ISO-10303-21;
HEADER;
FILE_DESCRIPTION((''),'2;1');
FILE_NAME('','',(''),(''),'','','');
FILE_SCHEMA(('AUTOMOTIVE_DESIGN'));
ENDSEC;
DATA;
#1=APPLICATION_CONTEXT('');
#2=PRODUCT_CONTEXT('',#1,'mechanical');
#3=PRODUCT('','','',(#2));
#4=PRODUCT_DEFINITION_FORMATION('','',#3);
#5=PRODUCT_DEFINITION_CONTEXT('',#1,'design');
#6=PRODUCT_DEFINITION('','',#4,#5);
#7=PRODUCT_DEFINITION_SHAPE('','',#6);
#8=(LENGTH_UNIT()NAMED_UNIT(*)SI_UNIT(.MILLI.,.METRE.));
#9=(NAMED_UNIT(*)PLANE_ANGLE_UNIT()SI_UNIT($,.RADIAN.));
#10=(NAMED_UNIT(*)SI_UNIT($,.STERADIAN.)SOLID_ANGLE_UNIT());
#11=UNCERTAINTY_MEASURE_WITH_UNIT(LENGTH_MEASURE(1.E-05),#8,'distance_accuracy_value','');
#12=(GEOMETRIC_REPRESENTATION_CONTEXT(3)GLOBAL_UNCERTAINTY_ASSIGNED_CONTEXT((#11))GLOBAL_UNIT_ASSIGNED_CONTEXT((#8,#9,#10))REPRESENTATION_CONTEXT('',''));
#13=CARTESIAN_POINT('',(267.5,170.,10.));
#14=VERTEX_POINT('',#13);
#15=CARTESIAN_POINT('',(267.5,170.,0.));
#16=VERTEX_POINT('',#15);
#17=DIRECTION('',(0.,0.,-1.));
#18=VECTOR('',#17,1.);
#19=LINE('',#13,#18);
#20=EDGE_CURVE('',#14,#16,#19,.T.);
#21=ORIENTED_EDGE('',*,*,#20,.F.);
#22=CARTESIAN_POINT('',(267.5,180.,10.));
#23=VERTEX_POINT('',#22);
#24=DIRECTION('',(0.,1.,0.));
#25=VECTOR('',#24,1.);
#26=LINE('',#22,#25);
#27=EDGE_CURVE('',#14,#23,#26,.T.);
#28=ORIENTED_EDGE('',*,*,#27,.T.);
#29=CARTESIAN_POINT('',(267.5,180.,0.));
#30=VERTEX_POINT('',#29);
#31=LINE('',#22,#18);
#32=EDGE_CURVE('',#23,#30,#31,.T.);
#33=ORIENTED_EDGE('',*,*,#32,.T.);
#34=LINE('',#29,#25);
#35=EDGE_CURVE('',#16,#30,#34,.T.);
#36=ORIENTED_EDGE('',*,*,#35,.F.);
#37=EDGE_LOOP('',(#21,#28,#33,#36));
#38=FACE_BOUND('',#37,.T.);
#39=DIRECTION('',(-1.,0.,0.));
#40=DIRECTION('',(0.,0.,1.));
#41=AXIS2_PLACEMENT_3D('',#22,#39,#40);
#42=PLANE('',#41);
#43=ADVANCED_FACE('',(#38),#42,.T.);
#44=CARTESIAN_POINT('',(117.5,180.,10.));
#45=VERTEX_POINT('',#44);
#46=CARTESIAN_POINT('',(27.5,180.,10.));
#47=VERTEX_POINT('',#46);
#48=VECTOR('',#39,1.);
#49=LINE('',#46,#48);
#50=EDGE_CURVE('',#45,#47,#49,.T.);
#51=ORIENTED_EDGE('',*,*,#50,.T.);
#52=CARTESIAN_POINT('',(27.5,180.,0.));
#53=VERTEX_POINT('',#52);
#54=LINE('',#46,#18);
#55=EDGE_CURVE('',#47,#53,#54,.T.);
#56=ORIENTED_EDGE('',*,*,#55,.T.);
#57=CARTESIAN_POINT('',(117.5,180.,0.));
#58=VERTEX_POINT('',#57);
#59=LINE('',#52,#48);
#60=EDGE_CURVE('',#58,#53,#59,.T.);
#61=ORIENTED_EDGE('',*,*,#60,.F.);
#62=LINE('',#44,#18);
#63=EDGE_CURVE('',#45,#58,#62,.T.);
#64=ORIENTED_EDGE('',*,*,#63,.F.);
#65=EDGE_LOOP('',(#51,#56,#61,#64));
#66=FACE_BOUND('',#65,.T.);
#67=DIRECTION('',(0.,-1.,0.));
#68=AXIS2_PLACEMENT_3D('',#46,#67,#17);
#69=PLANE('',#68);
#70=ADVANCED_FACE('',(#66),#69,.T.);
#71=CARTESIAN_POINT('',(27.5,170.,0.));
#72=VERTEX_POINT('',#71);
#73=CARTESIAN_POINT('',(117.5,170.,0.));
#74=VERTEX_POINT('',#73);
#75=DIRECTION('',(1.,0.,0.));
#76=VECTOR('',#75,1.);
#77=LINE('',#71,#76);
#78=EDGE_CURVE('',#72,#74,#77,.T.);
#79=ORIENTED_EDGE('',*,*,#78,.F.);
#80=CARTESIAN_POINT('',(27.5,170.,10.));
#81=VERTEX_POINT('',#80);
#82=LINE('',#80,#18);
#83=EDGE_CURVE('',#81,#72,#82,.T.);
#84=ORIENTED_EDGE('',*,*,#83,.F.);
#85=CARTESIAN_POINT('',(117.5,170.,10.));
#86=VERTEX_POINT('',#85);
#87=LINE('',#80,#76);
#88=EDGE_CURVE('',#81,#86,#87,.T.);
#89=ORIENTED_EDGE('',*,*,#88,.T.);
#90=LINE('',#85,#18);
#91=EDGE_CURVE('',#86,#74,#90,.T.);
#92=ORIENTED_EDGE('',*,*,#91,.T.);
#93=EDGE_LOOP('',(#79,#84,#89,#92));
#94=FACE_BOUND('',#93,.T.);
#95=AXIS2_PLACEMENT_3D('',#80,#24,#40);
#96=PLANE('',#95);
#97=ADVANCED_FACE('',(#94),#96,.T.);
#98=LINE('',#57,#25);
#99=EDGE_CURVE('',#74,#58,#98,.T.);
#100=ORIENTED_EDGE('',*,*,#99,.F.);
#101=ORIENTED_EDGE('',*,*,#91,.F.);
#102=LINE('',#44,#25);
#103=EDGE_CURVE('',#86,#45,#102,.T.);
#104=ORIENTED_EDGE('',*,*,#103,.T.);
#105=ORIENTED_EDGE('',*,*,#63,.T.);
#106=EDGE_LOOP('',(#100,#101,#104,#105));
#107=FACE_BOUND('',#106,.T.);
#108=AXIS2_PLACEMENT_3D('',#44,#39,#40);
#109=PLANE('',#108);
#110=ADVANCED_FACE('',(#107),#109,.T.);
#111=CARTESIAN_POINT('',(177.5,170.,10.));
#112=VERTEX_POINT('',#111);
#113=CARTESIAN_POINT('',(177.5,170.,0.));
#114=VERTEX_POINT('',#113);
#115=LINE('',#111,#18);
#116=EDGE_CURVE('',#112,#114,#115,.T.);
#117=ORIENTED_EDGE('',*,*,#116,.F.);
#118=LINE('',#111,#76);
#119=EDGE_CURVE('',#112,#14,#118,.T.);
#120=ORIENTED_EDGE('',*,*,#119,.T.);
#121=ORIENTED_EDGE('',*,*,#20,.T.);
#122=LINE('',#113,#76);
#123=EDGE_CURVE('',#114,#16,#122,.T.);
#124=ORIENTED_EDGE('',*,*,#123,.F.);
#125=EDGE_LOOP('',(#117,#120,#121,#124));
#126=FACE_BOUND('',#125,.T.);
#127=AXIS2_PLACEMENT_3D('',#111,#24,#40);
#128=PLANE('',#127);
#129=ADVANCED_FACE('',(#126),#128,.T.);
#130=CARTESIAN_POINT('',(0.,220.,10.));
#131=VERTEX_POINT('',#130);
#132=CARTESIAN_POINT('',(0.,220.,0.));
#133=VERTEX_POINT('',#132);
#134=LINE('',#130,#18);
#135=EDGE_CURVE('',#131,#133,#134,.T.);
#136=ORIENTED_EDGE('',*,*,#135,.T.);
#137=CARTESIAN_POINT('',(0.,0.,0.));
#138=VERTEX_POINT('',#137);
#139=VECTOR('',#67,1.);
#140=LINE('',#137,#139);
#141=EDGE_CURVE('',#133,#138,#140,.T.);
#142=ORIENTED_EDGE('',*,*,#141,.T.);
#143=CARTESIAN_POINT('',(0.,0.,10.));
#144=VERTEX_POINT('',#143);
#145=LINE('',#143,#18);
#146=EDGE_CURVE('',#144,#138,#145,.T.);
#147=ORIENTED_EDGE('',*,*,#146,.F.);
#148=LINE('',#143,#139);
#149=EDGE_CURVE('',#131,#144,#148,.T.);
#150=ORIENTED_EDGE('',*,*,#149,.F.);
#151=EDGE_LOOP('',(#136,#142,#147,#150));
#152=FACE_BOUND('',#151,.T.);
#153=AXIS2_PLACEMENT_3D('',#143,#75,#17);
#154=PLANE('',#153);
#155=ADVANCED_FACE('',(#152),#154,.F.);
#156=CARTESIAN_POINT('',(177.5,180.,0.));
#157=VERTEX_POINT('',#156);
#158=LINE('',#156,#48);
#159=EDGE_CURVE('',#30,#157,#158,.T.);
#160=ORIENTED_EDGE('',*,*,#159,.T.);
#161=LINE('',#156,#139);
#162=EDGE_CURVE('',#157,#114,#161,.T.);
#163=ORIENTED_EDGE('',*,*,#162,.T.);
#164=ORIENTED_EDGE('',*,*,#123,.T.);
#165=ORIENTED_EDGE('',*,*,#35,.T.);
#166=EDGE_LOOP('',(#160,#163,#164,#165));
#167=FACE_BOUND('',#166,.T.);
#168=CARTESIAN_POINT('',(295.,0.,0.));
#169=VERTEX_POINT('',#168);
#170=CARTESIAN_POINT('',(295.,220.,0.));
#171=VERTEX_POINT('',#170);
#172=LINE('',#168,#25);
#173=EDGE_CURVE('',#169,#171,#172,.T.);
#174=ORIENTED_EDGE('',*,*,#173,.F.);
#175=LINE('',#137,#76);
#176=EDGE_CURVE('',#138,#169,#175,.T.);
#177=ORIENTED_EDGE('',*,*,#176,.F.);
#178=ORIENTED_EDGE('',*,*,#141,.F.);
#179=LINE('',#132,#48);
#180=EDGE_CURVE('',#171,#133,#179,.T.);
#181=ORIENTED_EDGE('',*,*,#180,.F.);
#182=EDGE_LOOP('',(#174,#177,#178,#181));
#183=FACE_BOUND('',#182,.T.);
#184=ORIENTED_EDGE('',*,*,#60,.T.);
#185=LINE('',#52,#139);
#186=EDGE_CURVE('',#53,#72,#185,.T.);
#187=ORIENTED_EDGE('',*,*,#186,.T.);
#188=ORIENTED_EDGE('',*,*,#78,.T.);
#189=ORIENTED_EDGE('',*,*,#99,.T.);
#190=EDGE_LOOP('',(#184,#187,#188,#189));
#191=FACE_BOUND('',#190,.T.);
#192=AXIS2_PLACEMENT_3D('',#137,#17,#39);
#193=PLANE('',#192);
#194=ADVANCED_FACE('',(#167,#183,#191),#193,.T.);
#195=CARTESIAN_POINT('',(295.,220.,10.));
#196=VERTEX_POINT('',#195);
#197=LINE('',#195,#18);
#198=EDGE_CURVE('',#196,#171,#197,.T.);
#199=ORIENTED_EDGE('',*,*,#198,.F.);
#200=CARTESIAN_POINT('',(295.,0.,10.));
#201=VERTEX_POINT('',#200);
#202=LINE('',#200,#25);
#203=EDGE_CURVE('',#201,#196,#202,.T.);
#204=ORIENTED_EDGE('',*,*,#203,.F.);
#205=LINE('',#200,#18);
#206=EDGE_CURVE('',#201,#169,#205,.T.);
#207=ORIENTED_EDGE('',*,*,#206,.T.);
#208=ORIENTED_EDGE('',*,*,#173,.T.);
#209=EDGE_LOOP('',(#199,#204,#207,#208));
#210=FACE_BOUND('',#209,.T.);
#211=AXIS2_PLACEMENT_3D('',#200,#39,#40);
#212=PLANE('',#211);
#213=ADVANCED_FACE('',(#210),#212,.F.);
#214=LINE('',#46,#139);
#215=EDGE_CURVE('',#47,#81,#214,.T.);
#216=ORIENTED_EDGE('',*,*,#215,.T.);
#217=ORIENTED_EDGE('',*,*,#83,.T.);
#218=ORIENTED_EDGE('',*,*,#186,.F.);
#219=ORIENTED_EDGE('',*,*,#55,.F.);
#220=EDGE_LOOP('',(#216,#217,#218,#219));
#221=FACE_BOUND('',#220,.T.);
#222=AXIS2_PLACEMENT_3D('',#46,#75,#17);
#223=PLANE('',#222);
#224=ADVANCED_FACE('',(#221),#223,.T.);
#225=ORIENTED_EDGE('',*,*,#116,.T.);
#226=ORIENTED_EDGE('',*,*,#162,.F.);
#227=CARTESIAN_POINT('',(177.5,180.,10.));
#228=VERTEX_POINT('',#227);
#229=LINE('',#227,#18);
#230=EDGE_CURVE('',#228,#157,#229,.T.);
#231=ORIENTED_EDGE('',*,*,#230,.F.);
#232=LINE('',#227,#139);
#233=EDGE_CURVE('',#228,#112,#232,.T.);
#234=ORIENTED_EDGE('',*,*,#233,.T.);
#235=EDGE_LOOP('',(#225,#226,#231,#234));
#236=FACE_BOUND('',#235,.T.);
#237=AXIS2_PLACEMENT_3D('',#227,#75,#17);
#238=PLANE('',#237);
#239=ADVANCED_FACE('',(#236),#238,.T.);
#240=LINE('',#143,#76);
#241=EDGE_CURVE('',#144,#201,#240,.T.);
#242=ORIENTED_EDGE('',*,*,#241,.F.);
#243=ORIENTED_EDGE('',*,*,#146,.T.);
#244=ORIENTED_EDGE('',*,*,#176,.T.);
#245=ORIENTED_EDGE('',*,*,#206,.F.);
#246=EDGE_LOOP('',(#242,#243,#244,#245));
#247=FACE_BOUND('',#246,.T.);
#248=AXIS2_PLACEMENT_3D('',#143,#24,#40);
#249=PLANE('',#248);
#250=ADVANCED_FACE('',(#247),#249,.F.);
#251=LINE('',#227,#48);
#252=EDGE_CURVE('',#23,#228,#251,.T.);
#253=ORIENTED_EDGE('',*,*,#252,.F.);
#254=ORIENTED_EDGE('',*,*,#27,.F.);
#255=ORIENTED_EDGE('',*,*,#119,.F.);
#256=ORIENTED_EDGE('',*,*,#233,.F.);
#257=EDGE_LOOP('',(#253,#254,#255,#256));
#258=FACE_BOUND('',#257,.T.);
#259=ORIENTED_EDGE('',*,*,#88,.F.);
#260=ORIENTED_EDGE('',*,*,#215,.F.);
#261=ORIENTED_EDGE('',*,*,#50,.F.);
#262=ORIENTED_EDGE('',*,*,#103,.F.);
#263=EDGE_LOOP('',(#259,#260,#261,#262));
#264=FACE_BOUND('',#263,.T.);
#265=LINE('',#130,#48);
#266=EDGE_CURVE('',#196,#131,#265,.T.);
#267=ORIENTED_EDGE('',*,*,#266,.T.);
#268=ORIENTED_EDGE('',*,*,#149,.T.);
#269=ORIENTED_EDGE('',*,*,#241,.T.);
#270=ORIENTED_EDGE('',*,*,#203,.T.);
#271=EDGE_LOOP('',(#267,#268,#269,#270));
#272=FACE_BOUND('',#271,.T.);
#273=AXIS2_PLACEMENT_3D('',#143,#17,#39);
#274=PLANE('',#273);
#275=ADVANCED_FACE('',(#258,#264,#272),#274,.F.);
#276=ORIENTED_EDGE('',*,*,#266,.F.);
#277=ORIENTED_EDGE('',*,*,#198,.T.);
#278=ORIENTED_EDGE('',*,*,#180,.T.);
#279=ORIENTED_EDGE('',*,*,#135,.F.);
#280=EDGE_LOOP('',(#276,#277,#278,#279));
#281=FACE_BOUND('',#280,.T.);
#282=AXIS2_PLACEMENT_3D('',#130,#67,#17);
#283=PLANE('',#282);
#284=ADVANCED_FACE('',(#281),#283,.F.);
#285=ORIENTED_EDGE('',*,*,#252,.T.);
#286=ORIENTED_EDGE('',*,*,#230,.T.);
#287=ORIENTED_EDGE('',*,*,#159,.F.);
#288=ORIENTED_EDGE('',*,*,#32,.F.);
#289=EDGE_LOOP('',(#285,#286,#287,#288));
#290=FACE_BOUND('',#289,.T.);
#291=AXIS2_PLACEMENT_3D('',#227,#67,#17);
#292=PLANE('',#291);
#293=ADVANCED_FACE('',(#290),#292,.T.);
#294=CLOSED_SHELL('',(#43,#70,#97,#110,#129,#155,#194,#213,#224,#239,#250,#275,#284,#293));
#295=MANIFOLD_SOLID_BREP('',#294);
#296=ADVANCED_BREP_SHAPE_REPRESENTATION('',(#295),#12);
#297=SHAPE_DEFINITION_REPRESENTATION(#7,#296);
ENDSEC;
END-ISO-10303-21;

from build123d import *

# Parameters (mm, degrees)
ESQUISSE1_W        = 295
ESQUISSE1_H        = 220
ESQUISSE1_W_2      = 90
ESQUISSE1_H_2      = 10
BOSS_EXTRU_1_DEPTH = 10


with BuildPart() as part:
    # Esquisse1 → Boss.-Extru.1 (new body)
    with BuildSketch(Plane.XY):
        with Locations((147.5, 110)):
            Rectangle(ESQUISSE1_W, ESQUISSE1_H)
        with Locations((72.5, 175)):
            Rectangle(ESQUISSE1_W_2, ESQUISSE1_H_2, mode=Mode.SUBTRACT)
        with Locations((222.5, 175)):
            Rectangle(ESQUISSE1_W_2, ESQUISSE1_H_2, mode=Mode.SUBTRACT)
    extrude(amount=BOSS_EXTRU_1_DEPTH)


solid = part.part
